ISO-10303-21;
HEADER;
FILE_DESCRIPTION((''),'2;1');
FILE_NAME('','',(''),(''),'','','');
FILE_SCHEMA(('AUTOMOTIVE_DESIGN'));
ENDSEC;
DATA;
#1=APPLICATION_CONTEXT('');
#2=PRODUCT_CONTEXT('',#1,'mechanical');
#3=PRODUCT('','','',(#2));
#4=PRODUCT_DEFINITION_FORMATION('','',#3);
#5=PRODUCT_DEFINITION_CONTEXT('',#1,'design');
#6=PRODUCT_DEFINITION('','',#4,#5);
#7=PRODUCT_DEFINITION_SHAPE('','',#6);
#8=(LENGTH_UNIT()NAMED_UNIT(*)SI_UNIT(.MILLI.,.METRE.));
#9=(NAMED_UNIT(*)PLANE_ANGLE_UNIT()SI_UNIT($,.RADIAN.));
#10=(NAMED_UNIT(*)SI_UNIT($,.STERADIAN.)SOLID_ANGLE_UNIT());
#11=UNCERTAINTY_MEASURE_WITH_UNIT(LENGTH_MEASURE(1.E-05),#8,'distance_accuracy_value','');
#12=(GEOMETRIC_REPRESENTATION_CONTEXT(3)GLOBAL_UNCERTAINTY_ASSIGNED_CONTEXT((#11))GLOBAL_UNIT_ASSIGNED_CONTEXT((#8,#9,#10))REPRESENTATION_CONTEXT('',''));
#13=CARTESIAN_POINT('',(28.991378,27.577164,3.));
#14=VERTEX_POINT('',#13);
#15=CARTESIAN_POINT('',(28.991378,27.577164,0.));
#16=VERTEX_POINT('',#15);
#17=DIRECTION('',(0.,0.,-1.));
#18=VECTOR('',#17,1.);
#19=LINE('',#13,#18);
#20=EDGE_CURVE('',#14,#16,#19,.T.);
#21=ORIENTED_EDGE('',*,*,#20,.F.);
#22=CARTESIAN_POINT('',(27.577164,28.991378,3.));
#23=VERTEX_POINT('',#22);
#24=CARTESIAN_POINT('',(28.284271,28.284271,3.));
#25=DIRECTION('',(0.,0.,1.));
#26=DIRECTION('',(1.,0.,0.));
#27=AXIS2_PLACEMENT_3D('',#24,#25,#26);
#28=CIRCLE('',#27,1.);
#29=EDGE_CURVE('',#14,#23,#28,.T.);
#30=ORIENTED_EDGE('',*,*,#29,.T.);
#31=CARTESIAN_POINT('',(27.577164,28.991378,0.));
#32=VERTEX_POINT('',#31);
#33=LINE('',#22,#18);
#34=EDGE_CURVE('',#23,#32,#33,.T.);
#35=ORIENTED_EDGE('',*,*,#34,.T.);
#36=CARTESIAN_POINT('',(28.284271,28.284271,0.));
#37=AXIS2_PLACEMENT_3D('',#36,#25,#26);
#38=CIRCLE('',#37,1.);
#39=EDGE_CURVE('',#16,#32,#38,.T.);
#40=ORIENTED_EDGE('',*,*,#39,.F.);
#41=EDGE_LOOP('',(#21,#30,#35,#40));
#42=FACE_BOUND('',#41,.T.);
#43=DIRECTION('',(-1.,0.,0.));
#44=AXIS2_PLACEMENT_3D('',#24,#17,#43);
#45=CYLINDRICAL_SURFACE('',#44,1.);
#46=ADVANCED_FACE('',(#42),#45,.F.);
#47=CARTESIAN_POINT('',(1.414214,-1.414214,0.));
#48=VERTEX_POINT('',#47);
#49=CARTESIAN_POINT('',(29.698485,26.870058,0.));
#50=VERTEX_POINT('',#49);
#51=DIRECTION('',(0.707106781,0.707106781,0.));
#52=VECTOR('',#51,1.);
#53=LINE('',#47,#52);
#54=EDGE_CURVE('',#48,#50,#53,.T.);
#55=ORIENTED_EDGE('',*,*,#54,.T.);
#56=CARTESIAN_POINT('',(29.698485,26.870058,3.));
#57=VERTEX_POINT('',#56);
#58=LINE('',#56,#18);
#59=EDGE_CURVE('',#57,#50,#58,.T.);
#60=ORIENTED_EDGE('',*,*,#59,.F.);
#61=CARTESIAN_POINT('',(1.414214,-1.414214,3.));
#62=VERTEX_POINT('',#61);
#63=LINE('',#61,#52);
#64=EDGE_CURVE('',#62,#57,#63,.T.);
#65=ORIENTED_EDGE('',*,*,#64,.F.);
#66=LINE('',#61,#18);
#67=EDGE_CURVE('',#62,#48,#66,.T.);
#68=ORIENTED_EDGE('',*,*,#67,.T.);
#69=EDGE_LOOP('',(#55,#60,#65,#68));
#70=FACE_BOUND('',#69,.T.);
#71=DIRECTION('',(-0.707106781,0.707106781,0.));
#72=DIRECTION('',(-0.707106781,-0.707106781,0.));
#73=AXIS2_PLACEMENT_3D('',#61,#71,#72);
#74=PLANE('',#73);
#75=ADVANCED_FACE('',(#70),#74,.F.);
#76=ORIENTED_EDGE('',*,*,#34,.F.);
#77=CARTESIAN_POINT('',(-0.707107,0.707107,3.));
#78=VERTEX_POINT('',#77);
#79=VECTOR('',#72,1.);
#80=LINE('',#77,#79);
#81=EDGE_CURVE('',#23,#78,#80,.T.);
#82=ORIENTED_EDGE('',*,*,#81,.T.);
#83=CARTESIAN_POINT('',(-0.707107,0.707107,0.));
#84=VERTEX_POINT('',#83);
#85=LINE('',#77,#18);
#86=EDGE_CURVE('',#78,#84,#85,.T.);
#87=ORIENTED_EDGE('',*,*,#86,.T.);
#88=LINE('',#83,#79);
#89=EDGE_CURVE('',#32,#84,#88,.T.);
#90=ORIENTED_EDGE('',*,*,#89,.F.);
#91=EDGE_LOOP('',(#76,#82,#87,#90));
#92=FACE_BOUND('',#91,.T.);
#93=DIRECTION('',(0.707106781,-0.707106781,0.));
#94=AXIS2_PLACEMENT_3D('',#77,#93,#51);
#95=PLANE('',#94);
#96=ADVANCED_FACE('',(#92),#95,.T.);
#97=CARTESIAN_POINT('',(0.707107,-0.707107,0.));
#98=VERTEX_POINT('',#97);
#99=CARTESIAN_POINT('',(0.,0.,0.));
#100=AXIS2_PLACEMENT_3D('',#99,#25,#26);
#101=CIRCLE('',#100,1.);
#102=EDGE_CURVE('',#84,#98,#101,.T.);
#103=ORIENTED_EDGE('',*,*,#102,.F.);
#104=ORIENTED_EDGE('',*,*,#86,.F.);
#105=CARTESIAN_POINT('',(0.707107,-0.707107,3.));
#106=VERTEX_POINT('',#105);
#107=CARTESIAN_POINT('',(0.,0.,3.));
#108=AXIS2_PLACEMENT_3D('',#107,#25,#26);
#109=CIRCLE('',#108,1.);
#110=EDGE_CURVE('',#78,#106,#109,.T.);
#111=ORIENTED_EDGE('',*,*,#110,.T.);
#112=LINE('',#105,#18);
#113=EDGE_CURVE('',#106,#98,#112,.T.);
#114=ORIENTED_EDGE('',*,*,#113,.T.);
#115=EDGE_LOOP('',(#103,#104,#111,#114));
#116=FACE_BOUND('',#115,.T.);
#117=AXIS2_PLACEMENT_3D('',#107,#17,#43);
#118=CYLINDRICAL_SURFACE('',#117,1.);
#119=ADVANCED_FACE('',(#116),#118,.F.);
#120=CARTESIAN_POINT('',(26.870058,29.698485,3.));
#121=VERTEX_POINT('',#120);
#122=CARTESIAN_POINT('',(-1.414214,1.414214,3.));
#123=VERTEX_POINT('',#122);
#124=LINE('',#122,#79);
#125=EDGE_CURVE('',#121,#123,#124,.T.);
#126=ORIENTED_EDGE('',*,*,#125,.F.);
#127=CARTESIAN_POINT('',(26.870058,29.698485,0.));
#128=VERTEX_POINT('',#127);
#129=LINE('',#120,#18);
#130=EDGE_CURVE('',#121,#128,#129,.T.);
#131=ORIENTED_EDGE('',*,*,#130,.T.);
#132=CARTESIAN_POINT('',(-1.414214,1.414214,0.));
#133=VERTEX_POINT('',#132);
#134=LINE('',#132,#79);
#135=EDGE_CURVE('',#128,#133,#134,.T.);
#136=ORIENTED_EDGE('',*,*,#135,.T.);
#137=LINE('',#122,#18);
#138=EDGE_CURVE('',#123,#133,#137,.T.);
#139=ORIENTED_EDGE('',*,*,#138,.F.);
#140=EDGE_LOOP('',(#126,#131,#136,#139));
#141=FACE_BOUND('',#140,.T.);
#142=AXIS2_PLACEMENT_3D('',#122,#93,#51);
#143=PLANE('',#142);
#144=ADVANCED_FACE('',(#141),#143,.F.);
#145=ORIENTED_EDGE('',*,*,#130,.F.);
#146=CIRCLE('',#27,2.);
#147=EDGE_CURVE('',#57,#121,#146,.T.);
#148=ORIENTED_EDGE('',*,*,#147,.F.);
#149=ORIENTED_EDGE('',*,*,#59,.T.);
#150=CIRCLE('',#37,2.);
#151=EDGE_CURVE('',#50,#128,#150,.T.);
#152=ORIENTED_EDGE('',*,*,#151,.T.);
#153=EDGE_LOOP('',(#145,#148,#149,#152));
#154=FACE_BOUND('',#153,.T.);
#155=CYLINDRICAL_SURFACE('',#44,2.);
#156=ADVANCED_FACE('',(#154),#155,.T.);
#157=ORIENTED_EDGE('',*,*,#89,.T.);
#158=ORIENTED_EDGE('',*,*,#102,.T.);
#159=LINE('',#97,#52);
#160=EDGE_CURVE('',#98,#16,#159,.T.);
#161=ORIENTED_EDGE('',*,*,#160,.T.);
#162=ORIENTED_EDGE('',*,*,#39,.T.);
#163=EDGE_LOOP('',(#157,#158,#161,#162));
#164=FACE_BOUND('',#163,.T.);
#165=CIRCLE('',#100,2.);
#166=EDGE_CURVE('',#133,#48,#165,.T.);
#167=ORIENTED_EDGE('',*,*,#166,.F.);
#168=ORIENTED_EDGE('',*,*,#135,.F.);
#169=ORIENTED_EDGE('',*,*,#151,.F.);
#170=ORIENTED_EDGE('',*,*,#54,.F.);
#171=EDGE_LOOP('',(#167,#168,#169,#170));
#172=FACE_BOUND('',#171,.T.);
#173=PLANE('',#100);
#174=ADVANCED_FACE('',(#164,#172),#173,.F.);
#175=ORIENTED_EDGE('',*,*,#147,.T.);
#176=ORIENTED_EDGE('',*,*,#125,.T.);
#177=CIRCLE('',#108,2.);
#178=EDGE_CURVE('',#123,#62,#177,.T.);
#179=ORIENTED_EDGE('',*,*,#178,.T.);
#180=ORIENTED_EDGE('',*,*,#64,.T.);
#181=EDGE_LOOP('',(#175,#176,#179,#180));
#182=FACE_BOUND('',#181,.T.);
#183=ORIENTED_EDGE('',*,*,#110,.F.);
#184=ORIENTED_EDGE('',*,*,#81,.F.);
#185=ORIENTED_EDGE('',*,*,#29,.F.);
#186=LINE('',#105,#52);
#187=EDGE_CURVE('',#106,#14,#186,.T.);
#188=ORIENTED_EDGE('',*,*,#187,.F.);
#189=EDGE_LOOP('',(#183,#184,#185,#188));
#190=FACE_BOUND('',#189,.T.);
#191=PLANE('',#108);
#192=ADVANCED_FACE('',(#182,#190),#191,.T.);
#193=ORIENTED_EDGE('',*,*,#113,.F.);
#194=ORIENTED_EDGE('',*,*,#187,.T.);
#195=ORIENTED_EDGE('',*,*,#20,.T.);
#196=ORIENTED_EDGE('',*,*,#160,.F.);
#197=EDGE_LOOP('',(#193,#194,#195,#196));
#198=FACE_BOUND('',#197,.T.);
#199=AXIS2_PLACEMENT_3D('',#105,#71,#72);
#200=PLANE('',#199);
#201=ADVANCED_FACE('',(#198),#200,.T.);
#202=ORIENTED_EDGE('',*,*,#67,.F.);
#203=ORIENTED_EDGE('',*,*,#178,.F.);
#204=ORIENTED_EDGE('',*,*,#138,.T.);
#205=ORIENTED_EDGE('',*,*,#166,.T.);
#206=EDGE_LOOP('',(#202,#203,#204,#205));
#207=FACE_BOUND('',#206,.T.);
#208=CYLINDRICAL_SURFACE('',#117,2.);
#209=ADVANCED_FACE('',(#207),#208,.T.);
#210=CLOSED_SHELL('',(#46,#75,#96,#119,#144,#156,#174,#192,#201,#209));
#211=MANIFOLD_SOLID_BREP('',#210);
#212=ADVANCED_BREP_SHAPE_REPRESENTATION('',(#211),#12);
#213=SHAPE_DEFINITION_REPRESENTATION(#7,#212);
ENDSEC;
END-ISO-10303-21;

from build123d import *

# Parameters (mm, degrees)
BOSS_EXTRUDE1_DEPTH = 3


with BuildPart() as part:
    # Sketch1 → Boss-Extrude1 (new body)
    with BuildSketch(Plane.XY):
        with BuildLine():
            Line((-1.414213562, 1.414213562), (26.870057685, 29.69848481))
            ThreePointArc((26.870057685, 29.69848481), (29.69848481, 29.69848481), (29.69848481, 26.870057685))
            Line((29.69848481, 26.870057685), (1.414213562, -1.414213562))
            ThreePointArc((1.414213562, -1.414213562), (-1.414213562, -1.414213562), (-1.414213562, 1.414213562))
        make_face()
        with BuildLine():
            Line((-0.707106781, 0.707106781), (27.577164466, 28.991378029))
            ThreePointArc((27.577164466, 28.991378029), (28.991378029, 28.991378029), (28.991378029, 27.577164466))
            Line((28.991378029, 27.577164466), (0.707106781, -0.707106781))
            ThreePointArc((0.707106781, -0.707106781), (-0.707106781, -0.707106781), (-0.707106781, 0.707106781))
        make_face(mode=Mode.SUBTRACT)
    extrude(amount=BOSS_EXTRUDE1_DEPTH)


solid = part.part
